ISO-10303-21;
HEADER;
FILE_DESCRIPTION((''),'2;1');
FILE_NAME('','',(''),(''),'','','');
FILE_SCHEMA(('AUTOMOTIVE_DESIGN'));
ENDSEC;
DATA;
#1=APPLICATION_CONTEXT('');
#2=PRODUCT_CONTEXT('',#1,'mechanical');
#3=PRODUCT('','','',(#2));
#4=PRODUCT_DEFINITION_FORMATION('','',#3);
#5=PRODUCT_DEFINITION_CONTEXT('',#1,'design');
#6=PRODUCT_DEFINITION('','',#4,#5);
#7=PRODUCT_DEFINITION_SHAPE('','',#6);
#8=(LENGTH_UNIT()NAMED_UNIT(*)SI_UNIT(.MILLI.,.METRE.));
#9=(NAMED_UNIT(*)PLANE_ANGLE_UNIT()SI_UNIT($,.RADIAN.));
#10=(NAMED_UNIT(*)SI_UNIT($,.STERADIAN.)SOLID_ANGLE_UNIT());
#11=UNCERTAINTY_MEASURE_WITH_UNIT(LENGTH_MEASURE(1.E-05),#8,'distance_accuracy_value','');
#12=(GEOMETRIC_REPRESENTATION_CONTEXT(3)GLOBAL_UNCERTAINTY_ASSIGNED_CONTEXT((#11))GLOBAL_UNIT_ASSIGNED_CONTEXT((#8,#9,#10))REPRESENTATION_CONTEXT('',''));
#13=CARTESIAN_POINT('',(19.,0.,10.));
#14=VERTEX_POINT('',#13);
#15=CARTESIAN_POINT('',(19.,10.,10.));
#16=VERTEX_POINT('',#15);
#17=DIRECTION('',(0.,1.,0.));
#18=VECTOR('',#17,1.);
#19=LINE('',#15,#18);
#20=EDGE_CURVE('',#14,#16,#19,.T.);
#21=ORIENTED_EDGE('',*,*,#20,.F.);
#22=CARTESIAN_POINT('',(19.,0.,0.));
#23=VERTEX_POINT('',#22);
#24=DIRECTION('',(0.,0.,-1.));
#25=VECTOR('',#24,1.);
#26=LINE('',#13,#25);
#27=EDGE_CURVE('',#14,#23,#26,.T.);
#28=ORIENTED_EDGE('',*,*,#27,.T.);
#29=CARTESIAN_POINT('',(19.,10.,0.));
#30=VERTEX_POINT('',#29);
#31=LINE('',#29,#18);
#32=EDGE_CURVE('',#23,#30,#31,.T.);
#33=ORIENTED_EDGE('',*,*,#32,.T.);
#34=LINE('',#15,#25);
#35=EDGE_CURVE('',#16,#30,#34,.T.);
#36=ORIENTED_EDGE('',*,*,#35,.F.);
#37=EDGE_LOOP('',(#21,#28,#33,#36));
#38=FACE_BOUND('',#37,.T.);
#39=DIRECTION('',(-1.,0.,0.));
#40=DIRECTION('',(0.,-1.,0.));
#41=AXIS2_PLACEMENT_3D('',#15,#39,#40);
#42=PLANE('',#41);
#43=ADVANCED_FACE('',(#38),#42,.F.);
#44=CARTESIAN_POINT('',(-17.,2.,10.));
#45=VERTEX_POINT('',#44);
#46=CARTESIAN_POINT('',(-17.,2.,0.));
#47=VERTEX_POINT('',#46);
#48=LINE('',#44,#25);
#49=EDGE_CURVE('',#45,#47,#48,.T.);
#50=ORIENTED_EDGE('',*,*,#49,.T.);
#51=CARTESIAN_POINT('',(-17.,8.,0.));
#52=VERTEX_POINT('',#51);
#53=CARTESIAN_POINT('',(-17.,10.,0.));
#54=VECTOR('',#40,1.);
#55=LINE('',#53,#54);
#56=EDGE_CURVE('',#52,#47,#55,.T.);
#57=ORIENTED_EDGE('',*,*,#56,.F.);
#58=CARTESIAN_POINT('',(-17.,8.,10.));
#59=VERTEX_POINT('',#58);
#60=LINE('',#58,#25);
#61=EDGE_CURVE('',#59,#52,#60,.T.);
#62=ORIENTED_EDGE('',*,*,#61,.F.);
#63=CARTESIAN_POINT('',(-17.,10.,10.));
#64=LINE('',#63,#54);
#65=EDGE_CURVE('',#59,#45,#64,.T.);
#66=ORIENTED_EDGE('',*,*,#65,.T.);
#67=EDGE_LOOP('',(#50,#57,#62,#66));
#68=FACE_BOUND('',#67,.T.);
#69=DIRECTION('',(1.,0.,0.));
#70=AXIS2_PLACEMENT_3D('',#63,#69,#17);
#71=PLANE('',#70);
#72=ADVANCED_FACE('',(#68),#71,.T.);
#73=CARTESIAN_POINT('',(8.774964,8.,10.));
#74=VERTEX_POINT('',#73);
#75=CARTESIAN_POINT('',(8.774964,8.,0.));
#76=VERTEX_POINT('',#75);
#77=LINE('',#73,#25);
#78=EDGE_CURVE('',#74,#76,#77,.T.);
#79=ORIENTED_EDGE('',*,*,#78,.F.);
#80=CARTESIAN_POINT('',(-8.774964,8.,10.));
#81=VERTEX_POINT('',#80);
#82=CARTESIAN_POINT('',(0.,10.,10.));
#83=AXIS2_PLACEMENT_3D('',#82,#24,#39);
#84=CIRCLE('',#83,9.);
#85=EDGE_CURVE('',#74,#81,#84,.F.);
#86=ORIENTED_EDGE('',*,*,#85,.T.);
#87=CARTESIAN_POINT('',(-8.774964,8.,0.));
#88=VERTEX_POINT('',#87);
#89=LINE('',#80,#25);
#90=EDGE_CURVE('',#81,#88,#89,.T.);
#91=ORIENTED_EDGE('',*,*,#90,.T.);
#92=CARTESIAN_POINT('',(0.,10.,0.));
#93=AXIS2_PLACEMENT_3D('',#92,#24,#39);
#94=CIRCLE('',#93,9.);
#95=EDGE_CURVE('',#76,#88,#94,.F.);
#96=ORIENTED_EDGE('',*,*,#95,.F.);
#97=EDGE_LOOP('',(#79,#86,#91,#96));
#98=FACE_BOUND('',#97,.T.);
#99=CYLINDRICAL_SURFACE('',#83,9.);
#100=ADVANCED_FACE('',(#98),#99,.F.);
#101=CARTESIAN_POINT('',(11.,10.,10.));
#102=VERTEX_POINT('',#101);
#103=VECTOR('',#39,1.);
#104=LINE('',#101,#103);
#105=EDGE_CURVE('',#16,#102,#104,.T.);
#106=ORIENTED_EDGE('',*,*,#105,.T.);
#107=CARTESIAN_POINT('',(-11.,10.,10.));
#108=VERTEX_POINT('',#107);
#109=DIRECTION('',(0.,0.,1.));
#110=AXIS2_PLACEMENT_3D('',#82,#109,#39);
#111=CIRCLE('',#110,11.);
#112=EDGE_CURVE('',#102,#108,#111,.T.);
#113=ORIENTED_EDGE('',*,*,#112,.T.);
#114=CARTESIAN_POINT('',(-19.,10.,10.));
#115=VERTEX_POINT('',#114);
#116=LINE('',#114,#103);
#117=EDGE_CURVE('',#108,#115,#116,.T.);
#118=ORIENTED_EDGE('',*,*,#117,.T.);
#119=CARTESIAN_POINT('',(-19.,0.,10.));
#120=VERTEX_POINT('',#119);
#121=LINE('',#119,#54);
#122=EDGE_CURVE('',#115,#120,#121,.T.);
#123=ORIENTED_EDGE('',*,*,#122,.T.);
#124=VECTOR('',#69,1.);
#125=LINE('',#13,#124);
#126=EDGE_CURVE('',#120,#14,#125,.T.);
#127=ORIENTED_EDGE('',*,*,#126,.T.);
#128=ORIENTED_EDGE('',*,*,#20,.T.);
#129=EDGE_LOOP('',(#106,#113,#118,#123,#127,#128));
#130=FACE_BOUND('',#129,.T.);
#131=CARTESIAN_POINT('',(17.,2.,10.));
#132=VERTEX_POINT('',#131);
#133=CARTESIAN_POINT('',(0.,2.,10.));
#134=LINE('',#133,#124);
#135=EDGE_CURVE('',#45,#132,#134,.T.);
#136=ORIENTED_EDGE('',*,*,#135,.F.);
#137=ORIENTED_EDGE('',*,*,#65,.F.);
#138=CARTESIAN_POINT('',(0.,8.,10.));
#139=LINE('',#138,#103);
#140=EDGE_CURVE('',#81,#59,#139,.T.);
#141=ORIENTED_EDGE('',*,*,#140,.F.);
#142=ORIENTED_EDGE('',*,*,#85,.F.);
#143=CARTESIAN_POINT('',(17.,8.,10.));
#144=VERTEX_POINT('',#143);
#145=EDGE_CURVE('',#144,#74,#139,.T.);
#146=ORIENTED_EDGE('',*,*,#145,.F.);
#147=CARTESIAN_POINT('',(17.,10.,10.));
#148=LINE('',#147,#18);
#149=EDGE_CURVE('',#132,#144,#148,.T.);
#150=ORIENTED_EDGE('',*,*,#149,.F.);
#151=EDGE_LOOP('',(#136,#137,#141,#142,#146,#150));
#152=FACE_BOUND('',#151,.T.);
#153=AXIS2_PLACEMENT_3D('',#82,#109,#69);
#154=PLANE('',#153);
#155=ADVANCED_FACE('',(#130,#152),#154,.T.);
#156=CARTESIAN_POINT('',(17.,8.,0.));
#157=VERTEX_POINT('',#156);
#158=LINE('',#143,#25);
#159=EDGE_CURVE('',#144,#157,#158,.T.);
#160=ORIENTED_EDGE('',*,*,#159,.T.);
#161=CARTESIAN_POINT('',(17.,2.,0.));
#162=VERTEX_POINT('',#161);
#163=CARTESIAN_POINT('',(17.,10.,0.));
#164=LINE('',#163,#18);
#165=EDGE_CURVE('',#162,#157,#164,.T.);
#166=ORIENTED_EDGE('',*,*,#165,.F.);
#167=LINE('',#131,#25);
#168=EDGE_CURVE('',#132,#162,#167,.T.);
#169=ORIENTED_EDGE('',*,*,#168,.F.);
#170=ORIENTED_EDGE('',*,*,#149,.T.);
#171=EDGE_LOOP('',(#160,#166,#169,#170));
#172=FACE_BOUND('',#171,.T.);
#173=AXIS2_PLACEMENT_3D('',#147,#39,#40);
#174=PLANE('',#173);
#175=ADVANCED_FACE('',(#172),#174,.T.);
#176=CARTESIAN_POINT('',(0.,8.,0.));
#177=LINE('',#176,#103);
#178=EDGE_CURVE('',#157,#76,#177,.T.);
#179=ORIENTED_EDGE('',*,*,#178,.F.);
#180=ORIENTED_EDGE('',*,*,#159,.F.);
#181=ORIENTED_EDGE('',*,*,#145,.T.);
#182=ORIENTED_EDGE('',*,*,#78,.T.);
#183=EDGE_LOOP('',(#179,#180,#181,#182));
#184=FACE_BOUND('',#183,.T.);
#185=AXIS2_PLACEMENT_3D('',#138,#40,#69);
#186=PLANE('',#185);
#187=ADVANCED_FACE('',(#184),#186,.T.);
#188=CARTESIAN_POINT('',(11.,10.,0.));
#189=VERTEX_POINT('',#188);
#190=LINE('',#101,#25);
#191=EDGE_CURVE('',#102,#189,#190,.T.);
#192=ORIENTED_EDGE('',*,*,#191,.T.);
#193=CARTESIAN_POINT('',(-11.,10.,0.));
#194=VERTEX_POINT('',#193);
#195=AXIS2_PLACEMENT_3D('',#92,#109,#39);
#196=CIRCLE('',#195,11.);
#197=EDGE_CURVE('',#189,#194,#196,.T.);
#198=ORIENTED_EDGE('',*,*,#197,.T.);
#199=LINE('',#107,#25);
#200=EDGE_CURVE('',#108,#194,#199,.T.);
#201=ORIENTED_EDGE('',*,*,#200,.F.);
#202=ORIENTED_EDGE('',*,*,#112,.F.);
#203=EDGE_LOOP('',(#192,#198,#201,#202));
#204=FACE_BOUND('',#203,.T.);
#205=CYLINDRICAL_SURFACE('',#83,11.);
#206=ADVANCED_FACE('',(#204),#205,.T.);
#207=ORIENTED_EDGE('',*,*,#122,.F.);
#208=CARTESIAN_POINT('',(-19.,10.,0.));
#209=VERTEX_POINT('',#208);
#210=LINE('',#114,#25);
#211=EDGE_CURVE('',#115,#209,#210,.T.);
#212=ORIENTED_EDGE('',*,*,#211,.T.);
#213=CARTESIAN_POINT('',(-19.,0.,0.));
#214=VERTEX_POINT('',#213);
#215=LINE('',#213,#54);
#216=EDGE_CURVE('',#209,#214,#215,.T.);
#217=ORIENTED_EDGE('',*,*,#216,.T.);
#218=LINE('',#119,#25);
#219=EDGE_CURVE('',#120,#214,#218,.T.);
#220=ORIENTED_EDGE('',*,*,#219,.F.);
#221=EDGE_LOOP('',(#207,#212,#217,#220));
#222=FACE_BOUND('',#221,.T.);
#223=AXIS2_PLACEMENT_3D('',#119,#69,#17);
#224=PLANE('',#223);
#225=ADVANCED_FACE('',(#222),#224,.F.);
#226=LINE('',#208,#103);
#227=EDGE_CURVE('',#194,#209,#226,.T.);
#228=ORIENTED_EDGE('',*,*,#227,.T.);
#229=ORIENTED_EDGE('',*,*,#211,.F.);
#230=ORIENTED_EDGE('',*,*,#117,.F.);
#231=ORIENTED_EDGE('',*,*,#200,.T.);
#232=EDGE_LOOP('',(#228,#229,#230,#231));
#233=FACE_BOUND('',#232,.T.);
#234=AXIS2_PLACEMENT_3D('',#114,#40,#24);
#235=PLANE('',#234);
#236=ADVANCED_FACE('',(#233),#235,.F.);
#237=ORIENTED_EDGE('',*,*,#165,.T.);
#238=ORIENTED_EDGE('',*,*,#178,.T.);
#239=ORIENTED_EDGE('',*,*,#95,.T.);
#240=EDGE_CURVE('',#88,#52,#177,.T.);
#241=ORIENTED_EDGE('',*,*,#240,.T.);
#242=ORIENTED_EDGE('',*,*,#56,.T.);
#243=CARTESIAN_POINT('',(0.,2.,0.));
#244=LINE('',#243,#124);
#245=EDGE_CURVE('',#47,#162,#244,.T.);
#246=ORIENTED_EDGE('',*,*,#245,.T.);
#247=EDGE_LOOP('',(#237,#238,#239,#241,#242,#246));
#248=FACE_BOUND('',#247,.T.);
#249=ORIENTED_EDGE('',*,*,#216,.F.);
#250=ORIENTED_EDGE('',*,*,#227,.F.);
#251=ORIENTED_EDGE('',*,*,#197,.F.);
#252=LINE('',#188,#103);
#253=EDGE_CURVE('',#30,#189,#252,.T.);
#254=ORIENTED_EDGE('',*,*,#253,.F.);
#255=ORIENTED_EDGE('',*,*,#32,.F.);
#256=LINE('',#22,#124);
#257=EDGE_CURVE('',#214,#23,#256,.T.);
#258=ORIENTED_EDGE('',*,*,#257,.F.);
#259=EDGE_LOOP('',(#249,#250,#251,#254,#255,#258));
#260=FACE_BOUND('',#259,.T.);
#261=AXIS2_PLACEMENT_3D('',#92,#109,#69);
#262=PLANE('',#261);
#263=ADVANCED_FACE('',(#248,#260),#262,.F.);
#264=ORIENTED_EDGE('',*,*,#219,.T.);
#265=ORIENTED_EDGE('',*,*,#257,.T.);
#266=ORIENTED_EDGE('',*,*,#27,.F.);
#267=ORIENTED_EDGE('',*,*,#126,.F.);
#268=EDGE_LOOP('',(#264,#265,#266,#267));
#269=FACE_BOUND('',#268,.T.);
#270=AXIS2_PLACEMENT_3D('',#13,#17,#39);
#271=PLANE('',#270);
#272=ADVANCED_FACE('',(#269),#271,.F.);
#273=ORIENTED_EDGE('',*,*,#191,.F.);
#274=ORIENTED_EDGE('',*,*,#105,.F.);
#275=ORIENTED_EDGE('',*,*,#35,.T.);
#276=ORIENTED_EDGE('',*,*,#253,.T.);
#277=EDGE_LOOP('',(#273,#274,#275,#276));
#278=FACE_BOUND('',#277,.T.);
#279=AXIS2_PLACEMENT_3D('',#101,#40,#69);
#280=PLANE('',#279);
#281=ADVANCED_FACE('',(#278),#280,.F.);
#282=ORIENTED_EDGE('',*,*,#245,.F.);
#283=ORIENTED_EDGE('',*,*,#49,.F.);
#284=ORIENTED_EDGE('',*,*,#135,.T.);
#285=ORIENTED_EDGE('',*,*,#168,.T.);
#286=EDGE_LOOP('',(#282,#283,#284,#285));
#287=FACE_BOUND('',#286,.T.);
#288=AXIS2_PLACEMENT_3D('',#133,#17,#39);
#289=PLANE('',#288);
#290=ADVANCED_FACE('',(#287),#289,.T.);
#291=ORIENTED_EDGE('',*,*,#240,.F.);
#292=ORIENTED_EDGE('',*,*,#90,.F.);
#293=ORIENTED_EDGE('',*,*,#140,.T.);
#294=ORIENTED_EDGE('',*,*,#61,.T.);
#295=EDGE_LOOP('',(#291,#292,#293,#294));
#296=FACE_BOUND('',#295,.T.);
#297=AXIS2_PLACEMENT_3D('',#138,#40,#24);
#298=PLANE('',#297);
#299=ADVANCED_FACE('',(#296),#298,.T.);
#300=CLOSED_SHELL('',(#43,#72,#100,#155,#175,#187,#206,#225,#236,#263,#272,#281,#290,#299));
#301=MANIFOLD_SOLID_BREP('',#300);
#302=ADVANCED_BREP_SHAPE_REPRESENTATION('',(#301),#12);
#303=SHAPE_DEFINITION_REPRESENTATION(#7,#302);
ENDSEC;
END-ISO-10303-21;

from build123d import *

# Parameters (mm, degrees)
EXTRUDE_THIN1_DEPTH = 10


with BuildPart() as part:
    # Sketch1 → Extrude-Thin1 (new body)
    with BuildSketch(Plane.XY):
        with BuildLine():
            Line((11, 10), (19, 10))
            Line((19, 10), (19, 0))
            Line((19, 0), (-19, 0))
            Line((-19, 0), (-19, 10))
            Line((-19, 10), (-11, 10))
            ThreePointArc((-11, 10), (0, 21), (11, 10))
        make_face()
        with BuildLine():
            Line((8.774964387, 8), (17, 8))
            Line((17, 8), (17, 2))
            Line((17, 2), (-17, 2))
            Line((-17, 2), (-17, 8))
            Line((-17, 8), (-8.774964387, 8))
            ThreePointArc((-8.774964387, 8), (0, 19), (8.774964387, 8))
        make_face(mode=Mode.SUBTRACT)
    extrude(amount=EXTRUDE_THIN1_DEPTH)


solid = part.part
